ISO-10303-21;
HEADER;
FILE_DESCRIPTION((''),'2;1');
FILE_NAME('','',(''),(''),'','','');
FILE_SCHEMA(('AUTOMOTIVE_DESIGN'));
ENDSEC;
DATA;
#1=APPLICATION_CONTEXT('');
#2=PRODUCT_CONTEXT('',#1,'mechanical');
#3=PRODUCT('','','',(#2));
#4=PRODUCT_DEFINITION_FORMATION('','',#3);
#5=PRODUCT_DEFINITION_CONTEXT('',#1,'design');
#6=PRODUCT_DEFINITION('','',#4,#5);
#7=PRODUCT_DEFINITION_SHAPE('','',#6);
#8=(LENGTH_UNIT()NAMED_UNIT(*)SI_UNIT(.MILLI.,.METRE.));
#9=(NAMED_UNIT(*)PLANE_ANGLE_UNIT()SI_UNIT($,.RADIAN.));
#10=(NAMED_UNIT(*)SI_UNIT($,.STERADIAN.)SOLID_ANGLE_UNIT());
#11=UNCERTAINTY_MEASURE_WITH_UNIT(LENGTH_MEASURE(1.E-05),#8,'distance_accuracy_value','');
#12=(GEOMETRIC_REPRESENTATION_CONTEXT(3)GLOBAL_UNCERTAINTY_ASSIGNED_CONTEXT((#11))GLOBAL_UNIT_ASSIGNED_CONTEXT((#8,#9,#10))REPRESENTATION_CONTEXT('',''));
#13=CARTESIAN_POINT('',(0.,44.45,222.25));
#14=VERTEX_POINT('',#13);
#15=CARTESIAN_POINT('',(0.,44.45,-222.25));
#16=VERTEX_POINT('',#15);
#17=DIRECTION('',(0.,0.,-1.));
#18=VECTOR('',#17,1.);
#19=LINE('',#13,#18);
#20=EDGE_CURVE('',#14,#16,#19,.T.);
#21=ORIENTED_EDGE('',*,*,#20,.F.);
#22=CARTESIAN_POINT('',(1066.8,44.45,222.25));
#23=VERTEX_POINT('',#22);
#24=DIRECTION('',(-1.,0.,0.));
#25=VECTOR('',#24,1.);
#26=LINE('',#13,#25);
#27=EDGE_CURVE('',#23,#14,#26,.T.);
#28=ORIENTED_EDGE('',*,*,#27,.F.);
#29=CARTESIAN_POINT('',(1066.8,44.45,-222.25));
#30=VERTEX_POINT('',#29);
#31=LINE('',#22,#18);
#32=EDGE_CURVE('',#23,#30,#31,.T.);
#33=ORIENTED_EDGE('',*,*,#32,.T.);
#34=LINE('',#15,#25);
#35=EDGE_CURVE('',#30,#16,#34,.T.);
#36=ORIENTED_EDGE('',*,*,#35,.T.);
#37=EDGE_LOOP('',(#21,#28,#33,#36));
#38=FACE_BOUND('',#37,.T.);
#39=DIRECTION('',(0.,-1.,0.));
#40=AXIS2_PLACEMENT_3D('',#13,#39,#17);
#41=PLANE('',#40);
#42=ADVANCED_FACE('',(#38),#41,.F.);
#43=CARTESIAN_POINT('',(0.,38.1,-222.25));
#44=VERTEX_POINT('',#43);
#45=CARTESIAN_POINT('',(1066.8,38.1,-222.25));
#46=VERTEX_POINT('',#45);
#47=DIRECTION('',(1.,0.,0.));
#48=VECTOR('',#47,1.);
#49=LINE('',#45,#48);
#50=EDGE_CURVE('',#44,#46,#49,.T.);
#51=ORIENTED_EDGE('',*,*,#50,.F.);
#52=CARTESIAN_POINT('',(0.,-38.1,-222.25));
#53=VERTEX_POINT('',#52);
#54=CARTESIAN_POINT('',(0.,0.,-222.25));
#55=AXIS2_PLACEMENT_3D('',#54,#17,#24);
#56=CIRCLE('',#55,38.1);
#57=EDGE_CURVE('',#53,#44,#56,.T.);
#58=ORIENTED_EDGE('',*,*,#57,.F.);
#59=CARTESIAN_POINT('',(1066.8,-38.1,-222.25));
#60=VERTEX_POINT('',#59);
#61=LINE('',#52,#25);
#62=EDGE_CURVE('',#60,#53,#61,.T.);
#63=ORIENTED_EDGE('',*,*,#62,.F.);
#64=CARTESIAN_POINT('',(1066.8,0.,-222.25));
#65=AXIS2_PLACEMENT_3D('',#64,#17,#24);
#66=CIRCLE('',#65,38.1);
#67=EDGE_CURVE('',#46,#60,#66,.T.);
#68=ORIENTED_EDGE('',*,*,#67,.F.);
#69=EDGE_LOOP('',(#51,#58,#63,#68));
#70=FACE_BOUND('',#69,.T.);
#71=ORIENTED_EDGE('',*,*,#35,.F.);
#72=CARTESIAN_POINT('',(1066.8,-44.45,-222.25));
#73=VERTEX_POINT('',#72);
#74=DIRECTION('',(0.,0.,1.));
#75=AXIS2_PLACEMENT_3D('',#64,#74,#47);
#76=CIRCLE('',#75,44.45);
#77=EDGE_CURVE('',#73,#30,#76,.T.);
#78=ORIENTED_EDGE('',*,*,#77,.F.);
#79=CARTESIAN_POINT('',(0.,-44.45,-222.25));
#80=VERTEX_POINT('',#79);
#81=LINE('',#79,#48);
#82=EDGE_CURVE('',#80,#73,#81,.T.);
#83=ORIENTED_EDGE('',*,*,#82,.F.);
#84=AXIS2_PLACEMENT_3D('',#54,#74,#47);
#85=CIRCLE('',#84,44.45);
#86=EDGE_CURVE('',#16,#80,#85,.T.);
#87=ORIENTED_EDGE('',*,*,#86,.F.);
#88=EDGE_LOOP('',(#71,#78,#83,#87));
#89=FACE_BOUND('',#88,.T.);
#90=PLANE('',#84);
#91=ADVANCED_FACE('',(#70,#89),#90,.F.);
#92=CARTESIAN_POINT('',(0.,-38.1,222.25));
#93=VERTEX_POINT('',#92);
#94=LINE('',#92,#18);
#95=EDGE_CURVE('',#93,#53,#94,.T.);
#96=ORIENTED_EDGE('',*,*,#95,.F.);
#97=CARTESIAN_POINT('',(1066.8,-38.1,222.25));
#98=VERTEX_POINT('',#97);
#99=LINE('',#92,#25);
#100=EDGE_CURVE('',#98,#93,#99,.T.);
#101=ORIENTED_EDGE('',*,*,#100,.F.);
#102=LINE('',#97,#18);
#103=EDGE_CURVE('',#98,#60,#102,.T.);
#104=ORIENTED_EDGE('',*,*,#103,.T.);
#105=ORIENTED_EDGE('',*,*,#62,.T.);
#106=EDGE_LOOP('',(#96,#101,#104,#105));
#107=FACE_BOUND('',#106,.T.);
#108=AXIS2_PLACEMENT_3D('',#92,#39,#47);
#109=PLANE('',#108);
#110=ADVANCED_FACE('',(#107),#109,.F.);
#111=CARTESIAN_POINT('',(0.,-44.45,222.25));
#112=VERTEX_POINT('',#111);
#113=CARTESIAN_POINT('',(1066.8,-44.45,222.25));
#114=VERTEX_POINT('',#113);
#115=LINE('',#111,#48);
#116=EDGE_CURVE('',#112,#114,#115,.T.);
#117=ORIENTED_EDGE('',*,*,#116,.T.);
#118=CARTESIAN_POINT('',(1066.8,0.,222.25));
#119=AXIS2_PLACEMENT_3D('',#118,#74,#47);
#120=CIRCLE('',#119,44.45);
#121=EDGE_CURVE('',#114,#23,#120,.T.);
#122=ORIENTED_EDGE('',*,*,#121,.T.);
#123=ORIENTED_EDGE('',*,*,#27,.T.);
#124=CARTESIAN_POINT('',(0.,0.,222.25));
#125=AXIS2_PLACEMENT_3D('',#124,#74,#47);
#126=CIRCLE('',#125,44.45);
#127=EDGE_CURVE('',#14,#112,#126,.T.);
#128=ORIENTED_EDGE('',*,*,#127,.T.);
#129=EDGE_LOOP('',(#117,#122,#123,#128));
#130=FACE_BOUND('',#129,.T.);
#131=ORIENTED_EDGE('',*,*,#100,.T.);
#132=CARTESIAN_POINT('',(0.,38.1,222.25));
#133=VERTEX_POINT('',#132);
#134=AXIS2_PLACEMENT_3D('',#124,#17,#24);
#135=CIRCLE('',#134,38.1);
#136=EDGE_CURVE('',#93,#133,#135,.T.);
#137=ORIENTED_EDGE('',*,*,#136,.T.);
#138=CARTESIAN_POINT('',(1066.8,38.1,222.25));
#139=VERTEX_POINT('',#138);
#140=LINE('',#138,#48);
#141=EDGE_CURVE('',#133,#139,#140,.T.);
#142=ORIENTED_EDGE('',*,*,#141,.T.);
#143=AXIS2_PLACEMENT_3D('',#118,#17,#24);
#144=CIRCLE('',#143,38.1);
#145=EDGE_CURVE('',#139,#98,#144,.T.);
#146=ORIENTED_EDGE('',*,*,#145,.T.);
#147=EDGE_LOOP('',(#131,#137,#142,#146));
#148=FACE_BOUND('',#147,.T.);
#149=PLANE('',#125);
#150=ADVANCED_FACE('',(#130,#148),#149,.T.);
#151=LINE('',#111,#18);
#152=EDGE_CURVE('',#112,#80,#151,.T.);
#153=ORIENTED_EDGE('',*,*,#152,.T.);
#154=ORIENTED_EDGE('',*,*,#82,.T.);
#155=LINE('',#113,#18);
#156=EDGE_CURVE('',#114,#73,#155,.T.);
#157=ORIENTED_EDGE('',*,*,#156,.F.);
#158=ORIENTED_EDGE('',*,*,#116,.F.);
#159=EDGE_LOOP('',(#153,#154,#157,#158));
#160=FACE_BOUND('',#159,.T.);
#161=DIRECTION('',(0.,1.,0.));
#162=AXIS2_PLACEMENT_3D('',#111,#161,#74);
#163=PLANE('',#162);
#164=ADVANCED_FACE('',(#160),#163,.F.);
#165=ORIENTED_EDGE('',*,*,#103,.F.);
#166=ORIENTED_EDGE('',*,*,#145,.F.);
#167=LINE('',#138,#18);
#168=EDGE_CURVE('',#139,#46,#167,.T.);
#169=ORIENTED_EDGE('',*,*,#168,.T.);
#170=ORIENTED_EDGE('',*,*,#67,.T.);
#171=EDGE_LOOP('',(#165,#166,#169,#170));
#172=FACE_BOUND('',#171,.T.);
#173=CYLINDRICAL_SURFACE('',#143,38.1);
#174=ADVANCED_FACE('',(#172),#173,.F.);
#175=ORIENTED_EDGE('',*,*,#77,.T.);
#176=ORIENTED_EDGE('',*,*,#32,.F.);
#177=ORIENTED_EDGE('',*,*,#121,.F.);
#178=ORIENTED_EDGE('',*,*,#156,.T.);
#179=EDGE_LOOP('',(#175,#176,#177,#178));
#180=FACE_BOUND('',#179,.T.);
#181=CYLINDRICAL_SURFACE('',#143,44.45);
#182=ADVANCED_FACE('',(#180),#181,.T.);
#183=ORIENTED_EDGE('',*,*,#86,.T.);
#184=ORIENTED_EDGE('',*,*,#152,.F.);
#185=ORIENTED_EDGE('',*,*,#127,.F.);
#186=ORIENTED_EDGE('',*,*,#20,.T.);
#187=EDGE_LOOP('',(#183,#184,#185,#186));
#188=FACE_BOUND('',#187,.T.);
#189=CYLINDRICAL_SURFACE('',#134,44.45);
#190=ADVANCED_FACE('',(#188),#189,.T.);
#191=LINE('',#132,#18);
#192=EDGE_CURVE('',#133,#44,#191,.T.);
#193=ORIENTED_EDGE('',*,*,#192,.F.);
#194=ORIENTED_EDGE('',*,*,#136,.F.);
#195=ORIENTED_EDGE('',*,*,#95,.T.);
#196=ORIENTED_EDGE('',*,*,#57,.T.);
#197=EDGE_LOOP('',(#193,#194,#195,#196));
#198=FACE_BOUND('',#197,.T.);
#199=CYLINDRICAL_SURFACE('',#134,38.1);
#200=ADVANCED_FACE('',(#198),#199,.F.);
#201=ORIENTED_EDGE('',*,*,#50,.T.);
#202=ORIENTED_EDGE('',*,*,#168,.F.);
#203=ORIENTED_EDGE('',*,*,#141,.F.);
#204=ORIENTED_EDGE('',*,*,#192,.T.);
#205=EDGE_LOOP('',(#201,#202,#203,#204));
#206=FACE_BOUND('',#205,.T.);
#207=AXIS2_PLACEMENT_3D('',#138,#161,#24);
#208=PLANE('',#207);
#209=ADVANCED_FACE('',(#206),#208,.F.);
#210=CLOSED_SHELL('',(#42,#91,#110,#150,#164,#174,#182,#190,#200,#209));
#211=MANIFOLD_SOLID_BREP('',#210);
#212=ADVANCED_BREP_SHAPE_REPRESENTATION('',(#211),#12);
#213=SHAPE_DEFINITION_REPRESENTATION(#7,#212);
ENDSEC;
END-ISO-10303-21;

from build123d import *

# Parameters (mm, degrees)
BOSS_EXTRUDE1_DEPTH     = 222.25
CUT_EXTRUDE1_DEPTH      = 1
CUT_EXTRUDE1_DEPTH_BACK = 445.5


with BuildPart() as part:
    # Sketch1 → Boss-Extrude1 (new body, symmetric)
    with BuildSketch(Plane.XY):
        with BuildLine():
            Line((0, 44.45), (1066.8, 44.45))
            ThreePointArc((1066.8, 44.45), (1111.25, 0), (1066.8, -44.45))
            Line((1066.8, -44.45), (0, -44.45))
            ThreePointArc((0, -44.45), (-44.45, 0), (0, 44.45))
        make_face()
    extrude(amount=BOSS_EXTRUDE1_DEPTH, both=True)

    # Sketch2 → Cut-Extrude1 (cut, two sides)
    with BuildSketch(Plane(origin=(0, 0, -222.25), x_dir=(-1, 0, 0), z_dir=(0, 0, -1))) as cut_extrude1_sk:
        with BuildLine():
            Line((-1066.8, 38.1), (0, 38.1))
            ThreePointArc((0, 38.1), (38.1, 0), (0, -38.1))
            Line((0, -38.1), (-1066.8, -38.1))
            ThreePointArc((-1066.8, -38.1), (-1104.9, 0), (-1066.8, 38.1))
        make_face()
    extrude(amount=CUT_EXTRUDE1_DEPTH, mode=Mode.SUBTRACT)
    extrude(cut_extrude1_sk.sketch, amount=-CUT_EXTRUDE1_DEPTH_BACK, mode=Mode.SUBTRACT)


solid = part.part
